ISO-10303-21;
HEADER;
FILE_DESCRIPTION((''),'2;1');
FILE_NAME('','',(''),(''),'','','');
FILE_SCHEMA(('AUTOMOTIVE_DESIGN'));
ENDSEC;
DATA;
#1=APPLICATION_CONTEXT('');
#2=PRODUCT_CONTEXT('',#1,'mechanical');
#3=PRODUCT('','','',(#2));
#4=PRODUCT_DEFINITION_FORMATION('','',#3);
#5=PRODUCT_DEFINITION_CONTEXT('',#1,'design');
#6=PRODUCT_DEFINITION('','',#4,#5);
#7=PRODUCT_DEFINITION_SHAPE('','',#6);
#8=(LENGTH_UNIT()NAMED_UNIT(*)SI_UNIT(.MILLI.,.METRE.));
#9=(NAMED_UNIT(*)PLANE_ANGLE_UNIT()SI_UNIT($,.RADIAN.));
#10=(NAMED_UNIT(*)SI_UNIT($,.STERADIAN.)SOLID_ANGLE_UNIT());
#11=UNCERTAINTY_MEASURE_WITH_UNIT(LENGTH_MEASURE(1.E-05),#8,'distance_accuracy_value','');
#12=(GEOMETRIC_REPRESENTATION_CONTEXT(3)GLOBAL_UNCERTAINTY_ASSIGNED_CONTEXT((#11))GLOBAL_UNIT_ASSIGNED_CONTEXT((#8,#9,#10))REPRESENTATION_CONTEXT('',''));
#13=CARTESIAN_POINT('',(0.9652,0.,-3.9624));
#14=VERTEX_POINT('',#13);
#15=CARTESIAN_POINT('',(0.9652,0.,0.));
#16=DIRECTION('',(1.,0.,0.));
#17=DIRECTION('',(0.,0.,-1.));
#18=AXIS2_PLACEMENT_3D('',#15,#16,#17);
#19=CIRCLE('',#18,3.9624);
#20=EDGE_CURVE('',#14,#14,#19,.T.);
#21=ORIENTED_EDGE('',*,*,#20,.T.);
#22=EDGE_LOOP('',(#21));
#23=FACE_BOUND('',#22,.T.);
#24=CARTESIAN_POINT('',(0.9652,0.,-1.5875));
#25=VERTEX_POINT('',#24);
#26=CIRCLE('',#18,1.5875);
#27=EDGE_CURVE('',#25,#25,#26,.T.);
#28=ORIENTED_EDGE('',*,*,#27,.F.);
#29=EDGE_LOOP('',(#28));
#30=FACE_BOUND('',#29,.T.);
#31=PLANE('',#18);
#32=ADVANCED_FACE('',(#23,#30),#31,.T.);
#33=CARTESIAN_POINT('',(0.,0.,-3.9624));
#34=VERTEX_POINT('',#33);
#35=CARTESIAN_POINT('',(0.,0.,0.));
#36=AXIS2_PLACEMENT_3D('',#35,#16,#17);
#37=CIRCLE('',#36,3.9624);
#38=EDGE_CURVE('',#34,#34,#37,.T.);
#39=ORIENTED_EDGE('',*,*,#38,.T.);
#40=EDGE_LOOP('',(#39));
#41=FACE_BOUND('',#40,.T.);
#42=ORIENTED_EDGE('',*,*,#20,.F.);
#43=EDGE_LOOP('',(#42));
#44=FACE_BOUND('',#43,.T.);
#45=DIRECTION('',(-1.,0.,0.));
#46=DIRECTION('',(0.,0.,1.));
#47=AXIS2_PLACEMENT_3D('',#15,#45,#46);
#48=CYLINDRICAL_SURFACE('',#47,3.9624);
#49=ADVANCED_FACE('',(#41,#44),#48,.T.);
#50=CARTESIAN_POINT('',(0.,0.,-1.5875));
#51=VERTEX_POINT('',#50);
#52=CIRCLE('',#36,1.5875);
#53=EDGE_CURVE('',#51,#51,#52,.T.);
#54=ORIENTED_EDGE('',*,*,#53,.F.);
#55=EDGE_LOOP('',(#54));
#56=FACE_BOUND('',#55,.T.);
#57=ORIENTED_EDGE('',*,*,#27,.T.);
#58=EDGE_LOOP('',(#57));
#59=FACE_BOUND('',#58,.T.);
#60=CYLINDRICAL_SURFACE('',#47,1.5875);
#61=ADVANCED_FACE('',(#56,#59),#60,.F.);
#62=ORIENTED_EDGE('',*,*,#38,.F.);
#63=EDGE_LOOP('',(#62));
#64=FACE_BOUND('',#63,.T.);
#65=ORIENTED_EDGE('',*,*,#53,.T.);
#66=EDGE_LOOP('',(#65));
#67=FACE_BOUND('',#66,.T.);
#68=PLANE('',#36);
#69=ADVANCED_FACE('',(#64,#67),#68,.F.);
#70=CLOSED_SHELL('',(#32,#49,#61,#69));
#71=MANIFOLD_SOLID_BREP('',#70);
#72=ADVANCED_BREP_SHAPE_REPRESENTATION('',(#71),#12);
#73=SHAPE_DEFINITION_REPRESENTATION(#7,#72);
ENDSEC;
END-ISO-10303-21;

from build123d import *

# Parameters (mm, degrees)
SKETCH1_R           = 3.9624
SKETCH1_R_2         = 1.5875
BOSS_EXTRUDE1_DEPTH = 0.9652


with BuildPart() as part:
    # Sketch1 → Boss-Extrude1 (new body)
    with BuildSketch(Plane(origin=(0, 0, 0), x_dir=(0, 0, -1), z_dir=(1, 0, 0))):
        Circle(SKETCH1_R)
        Circle(SKETCH1_R_2, mode=Mode.SUBTRACT)
    extrude(amount=BOSS_EXTRUDE1_DEPTH)


solid = part.part
